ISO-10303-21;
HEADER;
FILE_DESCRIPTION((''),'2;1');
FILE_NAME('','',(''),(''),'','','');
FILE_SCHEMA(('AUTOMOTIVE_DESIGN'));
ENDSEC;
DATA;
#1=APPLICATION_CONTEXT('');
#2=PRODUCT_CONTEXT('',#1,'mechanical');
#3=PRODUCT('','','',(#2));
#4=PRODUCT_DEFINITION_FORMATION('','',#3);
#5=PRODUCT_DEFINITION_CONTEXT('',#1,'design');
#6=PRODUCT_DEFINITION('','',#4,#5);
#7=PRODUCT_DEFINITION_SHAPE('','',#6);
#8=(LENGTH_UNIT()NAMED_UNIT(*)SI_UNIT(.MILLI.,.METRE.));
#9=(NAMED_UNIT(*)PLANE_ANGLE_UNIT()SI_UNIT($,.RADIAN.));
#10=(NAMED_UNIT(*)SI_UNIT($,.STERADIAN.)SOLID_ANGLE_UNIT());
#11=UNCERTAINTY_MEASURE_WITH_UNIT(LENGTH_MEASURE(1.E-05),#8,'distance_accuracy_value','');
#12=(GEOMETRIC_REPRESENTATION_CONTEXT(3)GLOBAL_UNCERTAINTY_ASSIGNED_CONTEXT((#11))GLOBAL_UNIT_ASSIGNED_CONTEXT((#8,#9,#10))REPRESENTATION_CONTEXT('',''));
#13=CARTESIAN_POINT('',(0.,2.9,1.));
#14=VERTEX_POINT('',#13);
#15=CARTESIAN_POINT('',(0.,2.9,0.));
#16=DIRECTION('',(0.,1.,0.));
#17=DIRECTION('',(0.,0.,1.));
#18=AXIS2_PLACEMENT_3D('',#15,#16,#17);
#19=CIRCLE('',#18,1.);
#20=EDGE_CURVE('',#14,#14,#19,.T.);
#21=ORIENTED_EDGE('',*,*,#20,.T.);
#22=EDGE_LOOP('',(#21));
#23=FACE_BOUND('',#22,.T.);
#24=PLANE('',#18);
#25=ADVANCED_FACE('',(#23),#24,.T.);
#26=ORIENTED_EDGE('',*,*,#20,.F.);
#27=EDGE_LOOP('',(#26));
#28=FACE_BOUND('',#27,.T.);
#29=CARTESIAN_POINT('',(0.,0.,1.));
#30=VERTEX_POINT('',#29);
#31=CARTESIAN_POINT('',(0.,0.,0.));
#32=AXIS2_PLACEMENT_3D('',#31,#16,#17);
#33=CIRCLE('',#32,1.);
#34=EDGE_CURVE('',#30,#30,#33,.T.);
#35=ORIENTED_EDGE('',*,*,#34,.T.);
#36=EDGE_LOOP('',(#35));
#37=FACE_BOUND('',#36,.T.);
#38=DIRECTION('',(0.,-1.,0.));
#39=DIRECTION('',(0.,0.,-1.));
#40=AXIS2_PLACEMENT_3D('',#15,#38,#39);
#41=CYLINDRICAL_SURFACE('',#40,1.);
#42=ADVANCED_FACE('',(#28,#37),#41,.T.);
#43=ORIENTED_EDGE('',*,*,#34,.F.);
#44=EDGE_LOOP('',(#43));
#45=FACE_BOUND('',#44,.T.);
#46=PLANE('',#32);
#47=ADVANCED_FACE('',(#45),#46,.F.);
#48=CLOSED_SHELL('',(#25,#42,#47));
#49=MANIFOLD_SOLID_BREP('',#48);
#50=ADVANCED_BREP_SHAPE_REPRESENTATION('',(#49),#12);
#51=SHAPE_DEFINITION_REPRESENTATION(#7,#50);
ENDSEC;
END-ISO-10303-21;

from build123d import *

# Parameters (mm, degrees)
SKETCH1_R           = 1
BOSS_EXTRUDE1_DEPTH = 2.9


with BuildPart() as part:
    # Sketch1 → Boss-Extrude1 (new body)
    with BuildSketch(Plane(origin=(0, 0, 0), x_dir=(1, 0, 0), z_dir=(0, 1, 0))):
        with Locations(Location((0, 0, 0), (0, 0, 270))):
            Circle(SKETCH1_R)
    extrude(amount=BOSS_EXTRUDE1_DEPTH)


solid = part.part
